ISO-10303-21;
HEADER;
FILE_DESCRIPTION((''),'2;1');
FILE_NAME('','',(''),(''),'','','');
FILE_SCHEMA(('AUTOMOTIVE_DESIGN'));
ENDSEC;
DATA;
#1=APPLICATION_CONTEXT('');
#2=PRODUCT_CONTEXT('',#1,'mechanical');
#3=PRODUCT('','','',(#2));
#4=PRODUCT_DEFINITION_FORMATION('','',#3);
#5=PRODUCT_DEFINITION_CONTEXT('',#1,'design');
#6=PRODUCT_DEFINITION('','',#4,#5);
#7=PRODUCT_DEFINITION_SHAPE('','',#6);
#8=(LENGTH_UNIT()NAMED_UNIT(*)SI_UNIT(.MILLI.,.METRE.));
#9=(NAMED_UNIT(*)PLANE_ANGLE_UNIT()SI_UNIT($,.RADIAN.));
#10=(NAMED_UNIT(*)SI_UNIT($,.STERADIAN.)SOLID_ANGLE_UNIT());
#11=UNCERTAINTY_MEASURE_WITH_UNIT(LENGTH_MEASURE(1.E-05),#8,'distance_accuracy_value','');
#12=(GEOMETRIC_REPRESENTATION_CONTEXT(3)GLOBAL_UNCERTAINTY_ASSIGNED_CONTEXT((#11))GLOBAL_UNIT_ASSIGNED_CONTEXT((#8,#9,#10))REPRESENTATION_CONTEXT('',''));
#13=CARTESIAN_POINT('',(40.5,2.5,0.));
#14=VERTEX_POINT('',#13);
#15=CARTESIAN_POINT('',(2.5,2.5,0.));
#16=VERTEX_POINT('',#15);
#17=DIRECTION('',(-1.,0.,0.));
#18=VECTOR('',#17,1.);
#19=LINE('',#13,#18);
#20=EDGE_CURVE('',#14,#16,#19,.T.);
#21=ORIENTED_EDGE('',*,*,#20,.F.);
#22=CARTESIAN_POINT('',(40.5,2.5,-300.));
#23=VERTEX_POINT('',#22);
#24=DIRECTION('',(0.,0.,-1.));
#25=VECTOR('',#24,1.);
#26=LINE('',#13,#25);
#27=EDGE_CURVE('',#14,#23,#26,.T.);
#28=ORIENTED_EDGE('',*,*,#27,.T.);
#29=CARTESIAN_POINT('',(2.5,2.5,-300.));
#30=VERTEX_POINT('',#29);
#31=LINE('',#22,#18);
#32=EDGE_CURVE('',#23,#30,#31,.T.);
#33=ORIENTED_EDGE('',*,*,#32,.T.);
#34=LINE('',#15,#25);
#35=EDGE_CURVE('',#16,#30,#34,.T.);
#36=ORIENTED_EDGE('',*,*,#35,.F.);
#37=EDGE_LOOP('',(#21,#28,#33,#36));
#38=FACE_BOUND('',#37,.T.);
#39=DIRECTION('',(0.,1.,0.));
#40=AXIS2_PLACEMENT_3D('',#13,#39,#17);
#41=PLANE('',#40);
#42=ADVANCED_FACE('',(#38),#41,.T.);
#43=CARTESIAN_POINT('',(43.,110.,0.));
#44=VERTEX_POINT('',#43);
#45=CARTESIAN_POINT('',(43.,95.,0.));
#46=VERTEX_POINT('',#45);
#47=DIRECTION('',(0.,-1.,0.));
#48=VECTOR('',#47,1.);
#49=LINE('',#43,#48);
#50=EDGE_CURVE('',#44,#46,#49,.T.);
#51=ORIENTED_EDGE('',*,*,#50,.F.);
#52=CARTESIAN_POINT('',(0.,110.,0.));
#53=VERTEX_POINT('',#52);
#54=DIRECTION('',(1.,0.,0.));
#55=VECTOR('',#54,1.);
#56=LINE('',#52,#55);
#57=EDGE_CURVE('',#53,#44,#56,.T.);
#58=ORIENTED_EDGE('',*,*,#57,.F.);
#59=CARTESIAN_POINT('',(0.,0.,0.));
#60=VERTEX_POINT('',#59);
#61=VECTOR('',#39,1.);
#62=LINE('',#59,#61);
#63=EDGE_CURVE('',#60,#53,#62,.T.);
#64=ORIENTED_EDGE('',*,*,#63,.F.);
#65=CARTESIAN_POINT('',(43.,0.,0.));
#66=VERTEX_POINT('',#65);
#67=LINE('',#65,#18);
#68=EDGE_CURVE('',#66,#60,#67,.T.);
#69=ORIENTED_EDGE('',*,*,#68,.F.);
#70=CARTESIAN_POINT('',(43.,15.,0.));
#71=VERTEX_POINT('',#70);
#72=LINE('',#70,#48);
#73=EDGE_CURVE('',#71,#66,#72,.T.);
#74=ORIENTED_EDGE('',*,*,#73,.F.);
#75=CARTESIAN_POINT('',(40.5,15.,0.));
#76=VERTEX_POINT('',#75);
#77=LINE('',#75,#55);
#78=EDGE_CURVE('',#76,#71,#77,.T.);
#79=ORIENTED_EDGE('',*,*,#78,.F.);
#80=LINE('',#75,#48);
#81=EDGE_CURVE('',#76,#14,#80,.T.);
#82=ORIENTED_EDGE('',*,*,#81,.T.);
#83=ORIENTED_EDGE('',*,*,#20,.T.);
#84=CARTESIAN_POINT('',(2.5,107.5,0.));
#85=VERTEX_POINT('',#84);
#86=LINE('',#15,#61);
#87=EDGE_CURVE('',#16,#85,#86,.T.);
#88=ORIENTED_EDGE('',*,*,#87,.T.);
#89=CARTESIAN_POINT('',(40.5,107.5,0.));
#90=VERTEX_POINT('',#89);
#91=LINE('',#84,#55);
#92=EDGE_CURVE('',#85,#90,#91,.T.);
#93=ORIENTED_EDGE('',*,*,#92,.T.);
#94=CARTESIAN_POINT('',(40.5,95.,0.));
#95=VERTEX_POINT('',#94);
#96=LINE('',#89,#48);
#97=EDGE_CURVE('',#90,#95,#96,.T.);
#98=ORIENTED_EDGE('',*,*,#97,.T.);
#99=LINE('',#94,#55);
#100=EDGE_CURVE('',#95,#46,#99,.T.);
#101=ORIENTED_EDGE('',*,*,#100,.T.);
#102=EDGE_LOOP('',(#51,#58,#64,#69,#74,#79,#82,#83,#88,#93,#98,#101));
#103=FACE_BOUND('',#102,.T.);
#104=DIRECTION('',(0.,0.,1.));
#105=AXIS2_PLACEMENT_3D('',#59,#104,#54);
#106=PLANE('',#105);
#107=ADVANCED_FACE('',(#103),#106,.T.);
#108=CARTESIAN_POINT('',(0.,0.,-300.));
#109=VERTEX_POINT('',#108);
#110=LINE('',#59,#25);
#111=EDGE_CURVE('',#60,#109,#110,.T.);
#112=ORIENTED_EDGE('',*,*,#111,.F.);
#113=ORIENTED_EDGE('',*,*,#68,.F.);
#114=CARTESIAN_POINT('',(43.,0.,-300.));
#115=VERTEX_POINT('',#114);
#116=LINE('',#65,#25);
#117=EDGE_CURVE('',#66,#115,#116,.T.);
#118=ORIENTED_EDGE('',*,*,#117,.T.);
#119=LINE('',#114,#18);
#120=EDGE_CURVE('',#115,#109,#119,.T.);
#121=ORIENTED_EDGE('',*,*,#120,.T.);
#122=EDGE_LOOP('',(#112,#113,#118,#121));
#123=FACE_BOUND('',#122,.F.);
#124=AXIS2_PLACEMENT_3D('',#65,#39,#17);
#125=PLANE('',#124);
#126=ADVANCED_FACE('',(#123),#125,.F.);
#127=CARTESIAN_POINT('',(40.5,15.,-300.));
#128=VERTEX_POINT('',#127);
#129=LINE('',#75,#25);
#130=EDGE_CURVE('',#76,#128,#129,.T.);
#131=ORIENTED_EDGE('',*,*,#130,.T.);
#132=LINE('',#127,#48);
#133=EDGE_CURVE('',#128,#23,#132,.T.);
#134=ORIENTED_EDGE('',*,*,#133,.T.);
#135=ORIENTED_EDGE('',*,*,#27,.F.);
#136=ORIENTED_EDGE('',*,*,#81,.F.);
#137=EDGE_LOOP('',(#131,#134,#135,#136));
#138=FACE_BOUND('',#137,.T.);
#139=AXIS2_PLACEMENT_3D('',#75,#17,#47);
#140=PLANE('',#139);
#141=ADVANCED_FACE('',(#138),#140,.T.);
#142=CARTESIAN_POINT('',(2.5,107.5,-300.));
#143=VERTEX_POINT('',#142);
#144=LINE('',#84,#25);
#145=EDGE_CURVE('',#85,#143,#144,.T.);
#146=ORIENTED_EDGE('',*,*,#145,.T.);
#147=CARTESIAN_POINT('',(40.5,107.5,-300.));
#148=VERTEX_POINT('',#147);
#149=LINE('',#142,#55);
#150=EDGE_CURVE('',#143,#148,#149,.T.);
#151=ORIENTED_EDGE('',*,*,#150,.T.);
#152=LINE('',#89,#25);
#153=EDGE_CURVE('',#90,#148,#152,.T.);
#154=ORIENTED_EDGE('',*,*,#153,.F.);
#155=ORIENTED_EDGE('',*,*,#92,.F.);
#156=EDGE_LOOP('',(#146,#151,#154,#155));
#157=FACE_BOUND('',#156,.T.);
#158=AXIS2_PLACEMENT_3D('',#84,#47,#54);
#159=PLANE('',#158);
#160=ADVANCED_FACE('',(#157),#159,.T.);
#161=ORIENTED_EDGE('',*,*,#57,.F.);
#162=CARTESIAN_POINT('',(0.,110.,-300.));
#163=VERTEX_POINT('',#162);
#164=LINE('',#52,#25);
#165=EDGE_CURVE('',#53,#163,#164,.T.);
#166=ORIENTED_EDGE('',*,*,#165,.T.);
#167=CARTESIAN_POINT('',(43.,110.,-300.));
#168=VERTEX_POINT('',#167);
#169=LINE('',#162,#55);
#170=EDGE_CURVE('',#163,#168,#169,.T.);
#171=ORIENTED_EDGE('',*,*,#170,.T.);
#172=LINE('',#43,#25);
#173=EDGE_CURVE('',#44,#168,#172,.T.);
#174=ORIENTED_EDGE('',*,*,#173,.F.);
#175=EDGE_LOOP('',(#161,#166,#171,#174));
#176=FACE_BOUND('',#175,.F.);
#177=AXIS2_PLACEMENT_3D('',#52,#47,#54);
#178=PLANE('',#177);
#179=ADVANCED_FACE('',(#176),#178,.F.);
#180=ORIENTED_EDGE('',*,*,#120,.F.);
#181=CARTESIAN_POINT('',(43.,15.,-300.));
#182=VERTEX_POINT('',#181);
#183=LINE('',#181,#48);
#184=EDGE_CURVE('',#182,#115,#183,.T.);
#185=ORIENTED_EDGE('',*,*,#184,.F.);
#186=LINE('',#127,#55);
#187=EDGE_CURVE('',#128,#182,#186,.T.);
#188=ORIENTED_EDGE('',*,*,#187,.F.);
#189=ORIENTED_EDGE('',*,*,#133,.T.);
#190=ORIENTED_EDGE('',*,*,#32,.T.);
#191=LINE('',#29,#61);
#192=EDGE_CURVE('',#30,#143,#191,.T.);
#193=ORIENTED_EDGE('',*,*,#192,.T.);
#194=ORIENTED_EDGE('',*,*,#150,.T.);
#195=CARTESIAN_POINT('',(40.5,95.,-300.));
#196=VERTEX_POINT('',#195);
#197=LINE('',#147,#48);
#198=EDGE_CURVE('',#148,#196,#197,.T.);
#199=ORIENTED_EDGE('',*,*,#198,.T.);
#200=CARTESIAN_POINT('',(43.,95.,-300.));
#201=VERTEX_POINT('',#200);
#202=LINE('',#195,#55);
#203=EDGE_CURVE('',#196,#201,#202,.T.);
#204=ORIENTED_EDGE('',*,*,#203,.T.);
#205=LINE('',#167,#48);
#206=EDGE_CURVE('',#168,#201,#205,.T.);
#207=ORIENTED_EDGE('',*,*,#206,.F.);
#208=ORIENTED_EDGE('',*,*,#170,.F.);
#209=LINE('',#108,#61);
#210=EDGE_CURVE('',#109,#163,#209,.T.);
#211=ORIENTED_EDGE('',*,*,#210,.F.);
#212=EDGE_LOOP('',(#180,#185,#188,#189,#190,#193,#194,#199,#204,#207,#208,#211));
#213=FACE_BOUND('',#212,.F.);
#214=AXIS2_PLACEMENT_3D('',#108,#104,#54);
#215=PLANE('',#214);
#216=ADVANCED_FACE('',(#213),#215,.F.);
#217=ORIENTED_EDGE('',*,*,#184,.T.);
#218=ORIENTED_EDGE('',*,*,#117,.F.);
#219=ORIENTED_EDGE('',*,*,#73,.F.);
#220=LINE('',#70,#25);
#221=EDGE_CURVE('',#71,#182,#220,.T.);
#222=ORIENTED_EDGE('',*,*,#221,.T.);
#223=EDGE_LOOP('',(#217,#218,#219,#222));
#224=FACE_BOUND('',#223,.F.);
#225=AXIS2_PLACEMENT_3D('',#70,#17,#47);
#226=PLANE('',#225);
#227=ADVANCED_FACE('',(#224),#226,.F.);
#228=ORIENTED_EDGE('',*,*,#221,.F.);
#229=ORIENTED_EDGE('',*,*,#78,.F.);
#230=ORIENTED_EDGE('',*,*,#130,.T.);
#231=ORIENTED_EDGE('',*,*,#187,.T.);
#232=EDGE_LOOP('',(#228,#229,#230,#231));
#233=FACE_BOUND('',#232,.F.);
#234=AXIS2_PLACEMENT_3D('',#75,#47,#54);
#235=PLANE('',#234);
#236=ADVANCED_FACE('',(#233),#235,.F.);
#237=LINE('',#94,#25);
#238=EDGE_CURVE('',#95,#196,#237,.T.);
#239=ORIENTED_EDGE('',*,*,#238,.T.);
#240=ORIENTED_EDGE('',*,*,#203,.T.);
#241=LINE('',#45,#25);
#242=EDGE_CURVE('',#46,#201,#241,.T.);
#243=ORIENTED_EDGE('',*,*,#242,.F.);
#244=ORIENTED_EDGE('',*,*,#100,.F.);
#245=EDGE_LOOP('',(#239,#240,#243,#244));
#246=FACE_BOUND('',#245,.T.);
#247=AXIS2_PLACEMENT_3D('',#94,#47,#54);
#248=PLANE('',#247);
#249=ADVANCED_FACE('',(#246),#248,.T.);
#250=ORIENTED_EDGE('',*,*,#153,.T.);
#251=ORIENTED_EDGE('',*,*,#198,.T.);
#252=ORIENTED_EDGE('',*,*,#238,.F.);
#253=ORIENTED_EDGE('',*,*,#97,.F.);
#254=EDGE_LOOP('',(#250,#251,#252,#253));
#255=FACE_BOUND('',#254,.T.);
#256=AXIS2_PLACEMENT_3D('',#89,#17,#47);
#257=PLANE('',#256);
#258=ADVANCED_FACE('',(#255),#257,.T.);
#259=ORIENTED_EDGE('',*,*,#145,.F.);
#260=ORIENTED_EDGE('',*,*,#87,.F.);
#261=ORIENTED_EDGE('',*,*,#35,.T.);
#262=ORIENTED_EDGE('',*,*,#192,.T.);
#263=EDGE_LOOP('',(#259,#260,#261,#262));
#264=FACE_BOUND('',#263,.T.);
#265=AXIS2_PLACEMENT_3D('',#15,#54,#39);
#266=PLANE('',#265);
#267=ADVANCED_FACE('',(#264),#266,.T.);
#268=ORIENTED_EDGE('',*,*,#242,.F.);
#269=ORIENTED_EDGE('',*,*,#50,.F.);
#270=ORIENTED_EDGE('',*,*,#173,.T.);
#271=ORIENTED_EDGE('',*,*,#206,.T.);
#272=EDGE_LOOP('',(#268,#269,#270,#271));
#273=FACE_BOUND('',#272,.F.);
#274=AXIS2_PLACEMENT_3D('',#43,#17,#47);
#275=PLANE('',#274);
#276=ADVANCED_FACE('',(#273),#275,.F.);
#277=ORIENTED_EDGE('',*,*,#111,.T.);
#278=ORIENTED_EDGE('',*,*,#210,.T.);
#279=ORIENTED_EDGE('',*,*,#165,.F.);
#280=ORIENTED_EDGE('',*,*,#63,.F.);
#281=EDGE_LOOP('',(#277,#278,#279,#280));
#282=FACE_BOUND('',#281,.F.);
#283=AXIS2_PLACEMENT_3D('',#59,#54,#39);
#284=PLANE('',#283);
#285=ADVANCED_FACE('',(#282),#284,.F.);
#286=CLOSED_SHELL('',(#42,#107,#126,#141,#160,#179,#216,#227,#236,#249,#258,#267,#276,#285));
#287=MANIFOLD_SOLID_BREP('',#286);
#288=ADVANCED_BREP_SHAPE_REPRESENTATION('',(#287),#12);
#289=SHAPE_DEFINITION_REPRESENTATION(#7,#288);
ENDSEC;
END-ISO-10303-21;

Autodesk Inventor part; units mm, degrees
ref_plane "YZ Plane" through (0, 0, 0) normal (1, 0, 0) x (0, 1, 0)
ref_plane "XZ Plane" through (0, 0, 0) normal (0, 1, 0) x (-1, 0, 0)
ref_plane "XY Plane" through (0, 0, 0) normal (0, 0, 1) x (1, 0, 0)
sketch "Sketch1" plane through (0, 0, 0) normal (0, 0, 1) x (1, 0, 0)
  line L0 (43, 15) -> (43, 0)
  line L1 (43, 0) -> (0, 0)
  line L2 (0, 0) -> (0, 110)
  line L3 (0, 110) -> (43, 110)
  line L4 (43, 110) -> (43, 95)
  line L5 (40.5, 15) -> (40.5, 2.5)
  line L6 (40.5, 2.5) -> (2.5, 2.5)
  line L7 (2.5, 2.5) -> (2.5, 107.5)
  line L8 (2.5, 107.5) -> (40.5, 107.5)
  line L9 (40.5, 107.5) -> (40.5, 95)
  line L10 (40.5, 95) -> (43, 95)
  line L11 (40.5, 15) -> (43, 15)
  dimension "d0" = 43
  dimension "d1" = 110
  dimension "d2" = 15
  dimension "d3" = 15
  dimension "d4" = 2.5
extrude "Extrusion1" add sketch "Sketch1" against normal blind 300
properties part number "c150x43x15x600"
